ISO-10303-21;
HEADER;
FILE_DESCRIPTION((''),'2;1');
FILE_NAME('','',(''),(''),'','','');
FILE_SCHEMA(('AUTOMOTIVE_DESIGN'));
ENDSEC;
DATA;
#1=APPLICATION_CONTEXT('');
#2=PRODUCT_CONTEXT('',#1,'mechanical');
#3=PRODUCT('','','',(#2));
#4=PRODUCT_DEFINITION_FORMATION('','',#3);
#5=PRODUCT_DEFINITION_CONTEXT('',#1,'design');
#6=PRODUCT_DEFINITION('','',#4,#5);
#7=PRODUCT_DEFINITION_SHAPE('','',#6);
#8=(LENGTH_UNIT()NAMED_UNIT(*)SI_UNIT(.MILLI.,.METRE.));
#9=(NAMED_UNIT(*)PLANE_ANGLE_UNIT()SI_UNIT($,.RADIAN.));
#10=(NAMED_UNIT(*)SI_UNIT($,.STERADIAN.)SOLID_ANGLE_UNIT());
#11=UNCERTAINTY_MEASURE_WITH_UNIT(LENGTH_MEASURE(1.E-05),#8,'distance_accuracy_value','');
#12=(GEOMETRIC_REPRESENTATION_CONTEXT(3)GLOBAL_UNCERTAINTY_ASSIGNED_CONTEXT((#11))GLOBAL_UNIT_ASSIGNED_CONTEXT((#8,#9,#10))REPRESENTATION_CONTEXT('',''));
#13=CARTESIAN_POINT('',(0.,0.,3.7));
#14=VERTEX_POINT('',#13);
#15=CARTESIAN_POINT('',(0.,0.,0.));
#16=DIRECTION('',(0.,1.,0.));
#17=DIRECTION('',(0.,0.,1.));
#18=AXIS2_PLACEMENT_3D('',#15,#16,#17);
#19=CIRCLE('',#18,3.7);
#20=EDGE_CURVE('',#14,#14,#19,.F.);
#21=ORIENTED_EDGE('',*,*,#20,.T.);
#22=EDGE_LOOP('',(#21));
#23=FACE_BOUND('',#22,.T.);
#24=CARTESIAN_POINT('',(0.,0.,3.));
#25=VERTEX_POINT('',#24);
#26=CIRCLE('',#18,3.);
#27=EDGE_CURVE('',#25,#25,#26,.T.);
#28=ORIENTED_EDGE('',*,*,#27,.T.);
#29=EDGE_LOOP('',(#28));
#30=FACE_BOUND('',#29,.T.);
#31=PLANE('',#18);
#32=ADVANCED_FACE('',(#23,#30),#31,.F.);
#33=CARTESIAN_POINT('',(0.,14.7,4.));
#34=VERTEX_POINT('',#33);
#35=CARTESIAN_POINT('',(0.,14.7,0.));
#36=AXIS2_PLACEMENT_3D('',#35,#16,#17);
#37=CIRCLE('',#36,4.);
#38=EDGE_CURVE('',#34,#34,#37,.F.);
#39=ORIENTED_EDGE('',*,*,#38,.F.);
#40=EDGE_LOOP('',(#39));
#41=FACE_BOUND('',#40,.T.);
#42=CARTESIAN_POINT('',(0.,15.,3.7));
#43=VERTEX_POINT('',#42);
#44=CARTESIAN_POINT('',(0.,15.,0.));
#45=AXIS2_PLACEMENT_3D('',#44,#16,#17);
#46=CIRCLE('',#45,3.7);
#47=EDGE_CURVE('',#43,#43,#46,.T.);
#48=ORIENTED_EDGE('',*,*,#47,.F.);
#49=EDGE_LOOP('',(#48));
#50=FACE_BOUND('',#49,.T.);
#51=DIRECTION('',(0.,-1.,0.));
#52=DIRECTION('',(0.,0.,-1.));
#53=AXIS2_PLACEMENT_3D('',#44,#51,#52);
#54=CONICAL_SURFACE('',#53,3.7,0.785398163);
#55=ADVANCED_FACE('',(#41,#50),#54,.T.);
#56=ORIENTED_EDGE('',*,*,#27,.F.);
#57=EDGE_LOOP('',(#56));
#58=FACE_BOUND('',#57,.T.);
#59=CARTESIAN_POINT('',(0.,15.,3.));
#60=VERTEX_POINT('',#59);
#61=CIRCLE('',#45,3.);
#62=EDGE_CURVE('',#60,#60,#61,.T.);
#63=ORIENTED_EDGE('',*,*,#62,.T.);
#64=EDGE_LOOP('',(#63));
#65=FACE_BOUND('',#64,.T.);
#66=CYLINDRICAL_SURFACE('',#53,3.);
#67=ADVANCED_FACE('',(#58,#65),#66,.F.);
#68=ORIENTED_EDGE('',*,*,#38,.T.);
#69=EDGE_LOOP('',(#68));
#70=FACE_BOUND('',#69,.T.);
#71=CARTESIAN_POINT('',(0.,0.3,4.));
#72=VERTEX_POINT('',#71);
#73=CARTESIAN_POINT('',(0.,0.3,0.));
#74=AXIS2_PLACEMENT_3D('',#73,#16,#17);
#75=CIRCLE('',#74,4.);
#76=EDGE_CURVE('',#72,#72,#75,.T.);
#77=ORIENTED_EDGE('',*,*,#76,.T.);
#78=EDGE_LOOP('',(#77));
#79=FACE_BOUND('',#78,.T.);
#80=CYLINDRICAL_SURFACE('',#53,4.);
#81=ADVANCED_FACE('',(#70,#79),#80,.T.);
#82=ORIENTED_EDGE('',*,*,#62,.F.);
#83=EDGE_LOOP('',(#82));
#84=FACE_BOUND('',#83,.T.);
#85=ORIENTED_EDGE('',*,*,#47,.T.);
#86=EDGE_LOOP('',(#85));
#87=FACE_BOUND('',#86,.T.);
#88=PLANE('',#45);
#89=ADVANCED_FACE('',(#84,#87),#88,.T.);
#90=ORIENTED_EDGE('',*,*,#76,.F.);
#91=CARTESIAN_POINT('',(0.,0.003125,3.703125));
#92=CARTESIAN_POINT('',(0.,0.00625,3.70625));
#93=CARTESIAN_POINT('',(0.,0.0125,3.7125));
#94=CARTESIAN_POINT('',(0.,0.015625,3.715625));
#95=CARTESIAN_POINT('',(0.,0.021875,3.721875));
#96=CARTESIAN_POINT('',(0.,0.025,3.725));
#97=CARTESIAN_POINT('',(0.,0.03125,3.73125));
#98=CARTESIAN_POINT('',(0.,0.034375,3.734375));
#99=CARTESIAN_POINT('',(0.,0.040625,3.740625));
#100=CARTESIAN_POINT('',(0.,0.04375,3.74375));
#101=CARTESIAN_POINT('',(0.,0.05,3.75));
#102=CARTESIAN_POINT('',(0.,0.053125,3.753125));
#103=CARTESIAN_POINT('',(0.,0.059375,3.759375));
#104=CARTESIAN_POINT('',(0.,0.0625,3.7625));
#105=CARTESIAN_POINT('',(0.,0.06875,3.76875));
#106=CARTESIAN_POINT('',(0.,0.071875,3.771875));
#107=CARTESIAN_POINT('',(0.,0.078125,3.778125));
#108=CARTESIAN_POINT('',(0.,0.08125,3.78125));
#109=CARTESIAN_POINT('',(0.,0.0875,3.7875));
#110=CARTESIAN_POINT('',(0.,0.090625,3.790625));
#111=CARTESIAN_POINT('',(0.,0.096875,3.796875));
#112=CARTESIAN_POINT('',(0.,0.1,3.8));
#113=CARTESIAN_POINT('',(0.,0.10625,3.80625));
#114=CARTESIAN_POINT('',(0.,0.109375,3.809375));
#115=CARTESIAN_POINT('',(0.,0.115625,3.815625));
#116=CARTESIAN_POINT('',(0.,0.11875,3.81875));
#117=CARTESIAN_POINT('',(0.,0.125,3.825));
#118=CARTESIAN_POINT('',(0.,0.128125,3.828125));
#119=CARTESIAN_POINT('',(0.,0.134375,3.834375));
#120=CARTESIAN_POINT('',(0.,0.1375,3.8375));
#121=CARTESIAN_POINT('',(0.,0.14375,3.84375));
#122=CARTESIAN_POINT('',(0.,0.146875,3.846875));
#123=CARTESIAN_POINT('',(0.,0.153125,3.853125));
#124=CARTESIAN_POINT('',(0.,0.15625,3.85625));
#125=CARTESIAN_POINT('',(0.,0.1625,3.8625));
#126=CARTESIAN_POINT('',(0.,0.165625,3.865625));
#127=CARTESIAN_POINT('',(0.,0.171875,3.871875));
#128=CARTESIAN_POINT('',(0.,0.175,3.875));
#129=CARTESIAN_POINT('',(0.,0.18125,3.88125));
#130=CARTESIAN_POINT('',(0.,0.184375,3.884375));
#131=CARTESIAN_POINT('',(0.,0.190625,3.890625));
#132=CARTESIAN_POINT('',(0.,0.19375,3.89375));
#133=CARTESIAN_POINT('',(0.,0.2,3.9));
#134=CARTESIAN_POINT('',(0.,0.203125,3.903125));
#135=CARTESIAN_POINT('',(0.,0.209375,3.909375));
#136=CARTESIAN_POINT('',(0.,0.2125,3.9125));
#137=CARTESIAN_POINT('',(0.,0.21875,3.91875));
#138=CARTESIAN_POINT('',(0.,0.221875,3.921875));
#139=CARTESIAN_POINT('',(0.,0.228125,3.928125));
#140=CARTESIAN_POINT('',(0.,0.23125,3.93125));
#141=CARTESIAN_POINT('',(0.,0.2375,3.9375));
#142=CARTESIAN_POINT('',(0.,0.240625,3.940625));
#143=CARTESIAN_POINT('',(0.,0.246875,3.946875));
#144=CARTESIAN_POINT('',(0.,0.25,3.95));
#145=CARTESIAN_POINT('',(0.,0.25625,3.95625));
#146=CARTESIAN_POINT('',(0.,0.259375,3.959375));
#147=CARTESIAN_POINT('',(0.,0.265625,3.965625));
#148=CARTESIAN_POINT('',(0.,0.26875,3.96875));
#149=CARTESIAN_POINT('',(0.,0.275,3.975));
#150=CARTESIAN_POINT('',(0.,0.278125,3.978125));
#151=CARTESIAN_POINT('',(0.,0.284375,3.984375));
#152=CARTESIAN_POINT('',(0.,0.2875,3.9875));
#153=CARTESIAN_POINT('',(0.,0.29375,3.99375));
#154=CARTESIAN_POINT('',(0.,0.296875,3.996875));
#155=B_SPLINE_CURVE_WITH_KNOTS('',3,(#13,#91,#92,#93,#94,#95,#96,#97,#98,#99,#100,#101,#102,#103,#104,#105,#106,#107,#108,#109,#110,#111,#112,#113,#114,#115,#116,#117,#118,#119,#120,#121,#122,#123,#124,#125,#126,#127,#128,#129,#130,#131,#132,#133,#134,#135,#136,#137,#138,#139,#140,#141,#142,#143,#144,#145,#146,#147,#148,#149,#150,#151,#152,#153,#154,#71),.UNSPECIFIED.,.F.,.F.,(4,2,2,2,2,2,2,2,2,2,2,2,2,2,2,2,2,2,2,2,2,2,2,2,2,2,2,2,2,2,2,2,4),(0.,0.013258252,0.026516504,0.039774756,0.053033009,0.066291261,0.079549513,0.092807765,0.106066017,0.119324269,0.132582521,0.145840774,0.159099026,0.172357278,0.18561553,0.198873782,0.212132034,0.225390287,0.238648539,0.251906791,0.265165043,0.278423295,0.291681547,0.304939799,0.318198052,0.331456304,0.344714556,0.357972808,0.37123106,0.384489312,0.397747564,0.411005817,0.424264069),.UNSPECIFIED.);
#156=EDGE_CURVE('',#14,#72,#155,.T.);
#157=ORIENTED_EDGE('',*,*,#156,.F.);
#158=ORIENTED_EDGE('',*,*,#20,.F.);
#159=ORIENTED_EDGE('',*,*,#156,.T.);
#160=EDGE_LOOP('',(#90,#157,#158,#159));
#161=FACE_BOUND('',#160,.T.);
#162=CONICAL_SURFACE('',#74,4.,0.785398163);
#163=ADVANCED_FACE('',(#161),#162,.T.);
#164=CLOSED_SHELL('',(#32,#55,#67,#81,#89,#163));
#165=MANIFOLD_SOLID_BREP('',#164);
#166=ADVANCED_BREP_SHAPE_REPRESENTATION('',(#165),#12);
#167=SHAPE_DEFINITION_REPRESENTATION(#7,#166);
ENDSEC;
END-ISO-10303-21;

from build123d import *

# Parameters (mm, degrees)
SKETCH1_R           = 4
SKETCH1_R_2         = 3
BOSS_EXTRUDE1_DEPTH = 15
CHAMFER1_SIZE       = 0.3


with BuildPart() as part:
    # Sketch1 → Boss-Extrude1 (new body)
    with BuildSketch(Plane(origin=(0, 0, 0), x_dir=(1, 0, 0), z_dir=(0, 1, 0))):
        Circle(SKETCH1_R)
        Circle(SKETCH1_R_2, mode=Mode.SUBTRACT)
    extrude(amount=BOSS_EXTRUDE1_DEPTH)

    # Chamfer1
    chamfer1_edges = [part.edges().sort_by_distance(p)[0] for p in [
        (-4, 0, 0),
        (-4, 15, 0),
    ]]
    chamfer(chamfer1_edges, length=CHAMFER1_SIZE)


solid = part.part
